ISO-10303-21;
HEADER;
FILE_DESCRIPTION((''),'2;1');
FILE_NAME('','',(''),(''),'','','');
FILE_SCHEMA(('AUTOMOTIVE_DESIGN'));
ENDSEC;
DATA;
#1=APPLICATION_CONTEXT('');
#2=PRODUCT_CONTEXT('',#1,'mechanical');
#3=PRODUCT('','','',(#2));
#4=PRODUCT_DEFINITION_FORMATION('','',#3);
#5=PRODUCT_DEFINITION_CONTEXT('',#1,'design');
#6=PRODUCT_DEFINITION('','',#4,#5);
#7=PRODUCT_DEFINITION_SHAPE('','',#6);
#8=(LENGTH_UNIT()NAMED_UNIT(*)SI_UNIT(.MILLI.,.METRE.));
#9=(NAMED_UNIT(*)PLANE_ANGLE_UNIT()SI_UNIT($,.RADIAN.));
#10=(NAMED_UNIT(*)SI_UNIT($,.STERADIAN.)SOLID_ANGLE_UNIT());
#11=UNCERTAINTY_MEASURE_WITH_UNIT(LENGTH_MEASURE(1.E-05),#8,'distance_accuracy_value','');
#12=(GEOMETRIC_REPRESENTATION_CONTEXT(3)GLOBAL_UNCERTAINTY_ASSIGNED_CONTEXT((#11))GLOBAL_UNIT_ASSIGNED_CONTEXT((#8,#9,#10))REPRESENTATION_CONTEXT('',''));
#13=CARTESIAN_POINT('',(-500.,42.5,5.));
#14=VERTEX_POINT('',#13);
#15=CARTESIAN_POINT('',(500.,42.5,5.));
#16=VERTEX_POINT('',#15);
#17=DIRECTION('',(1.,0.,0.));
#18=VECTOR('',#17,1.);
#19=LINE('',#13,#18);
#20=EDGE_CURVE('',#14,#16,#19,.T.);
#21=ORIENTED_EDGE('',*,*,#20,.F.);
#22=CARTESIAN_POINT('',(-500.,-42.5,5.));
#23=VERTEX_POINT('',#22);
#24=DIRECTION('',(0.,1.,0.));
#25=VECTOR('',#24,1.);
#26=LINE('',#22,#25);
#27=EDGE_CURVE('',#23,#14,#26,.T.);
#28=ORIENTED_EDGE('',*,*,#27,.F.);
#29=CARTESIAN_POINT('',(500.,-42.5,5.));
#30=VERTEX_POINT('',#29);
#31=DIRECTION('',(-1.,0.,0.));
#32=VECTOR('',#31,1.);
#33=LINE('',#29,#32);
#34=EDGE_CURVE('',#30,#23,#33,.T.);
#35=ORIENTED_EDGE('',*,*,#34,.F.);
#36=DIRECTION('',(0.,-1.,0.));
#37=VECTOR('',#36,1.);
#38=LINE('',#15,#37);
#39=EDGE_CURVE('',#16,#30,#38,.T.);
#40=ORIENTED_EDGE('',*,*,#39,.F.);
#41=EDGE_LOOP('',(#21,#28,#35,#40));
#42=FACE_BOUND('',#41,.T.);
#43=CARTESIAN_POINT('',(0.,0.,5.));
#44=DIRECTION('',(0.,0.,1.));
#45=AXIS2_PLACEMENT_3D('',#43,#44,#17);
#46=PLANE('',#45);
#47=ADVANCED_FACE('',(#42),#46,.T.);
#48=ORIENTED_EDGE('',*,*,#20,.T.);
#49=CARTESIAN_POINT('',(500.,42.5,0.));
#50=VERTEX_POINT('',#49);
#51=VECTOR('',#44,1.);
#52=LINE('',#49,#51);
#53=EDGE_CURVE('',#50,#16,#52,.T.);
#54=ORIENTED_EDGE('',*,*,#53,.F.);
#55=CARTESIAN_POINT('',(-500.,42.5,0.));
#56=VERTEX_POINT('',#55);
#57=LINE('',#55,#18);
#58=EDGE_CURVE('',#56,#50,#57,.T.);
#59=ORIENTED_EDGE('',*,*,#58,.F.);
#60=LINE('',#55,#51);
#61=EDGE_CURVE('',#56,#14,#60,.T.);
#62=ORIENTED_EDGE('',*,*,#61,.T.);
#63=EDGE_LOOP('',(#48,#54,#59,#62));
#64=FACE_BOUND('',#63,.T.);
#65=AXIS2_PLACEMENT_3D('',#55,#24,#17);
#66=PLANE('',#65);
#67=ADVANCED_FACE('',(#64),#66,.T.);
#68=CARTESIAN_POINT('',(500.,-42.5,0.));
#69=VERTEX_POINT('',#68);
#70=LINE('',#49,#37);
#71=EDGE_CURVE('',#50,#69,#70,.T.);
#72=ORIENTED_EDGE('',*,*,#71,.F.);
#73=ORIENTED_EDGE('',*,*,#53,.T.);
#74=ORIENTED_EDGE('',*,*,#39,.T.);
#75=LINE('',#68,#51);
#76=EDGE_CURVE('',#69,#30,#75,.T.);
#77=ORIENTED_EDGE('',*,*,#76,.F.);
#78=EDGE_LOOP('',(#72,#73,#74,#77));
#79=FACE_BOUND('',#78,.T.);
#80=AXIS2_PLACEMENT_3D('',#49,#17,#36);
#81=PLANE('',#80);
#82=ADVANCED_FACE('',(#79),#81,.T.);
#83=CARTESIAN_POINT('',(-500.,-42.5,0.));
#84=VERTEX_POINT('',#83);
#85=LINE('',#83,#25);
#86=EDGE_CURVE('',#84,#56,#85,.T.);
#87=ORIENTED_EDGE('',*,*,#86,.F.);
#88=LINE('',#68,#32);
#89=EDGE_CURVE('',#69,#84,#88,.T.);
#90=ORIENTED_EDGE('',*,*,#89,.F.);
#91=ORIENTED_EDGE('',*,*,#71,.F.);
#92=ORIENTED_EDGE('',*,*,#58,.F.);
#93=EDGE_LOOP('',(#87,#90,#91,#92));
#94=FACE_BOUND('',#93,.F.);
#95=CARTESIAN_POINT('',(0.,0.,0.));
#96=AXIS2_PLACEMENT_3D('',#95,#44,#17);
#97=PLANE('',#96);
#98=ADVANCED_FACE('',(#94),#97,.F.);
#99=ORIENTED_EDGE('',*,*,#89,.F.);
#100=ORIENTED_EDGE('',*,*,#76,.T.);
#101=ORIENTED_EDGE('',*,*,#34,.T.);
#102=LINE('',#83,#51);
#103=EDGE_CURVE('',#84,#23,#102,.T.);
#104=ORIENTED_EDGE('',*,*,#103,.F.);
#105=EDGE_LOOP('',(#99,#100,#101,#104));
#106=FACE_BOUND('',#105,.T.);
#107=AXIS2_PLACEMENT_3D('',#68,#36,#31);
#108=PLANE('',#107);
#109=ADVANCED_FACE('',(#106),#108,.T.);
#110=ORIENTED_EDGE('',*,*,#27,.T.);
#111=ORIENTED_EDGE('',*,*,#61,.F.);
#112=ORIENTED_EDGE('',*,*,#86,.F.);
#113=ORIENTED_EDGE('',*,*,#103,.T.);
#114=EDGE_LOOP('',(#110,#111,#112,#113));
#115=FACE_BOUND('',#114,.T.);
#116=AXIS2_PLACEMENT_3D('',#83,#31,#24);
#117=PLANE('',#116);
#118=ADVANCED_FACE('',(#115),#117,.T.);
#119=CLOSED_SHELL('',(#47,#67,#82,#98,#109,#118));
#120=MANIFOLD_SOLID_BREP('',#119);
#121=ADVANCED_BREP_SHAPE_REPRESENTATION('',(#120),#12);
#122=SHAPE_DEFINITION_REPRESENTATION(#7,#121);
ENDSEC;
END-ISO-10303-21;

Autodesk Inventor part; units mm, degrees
ref_plane "YZ Plane" through (0, 0, 0) normal (1, 0, 0) x (0, 1, 0)
ref_plane "XZ Plane" through (0, 0, 0) normal (0, 1, 0) x (-1, 0, 0)
ref_plane "XY Plane" through (0, 0, 0) normal (0, 0, 1) x (1, 0, 0)
sketch "Sketch1" plane through (0, 0, 0) normal (0, 0, 1) x (1, 0, 0)
  line L0 (-500, 42.5) -> (500, 42.5)
  line L1 (500, 42.5) -> (500, -42.5)
  line L2 (500, -42.5) -> (-500, -42.5)
  line L3 (-500, -42.5) -> (-500, 42.5)
  point P0 (0, 0)
  dimension "d0" = 42.5
  dimension "d1" = 1000
  dimension "d2" = 85
  dimension "d3" = 500
extrude "Extrusion1" add sketch "Sketch1" along normal blind 5
equation "\"d0\" = 0.5 * d2"
equation "\"d3\" = 0.5 * d1"
properties part number "plastic wall"
